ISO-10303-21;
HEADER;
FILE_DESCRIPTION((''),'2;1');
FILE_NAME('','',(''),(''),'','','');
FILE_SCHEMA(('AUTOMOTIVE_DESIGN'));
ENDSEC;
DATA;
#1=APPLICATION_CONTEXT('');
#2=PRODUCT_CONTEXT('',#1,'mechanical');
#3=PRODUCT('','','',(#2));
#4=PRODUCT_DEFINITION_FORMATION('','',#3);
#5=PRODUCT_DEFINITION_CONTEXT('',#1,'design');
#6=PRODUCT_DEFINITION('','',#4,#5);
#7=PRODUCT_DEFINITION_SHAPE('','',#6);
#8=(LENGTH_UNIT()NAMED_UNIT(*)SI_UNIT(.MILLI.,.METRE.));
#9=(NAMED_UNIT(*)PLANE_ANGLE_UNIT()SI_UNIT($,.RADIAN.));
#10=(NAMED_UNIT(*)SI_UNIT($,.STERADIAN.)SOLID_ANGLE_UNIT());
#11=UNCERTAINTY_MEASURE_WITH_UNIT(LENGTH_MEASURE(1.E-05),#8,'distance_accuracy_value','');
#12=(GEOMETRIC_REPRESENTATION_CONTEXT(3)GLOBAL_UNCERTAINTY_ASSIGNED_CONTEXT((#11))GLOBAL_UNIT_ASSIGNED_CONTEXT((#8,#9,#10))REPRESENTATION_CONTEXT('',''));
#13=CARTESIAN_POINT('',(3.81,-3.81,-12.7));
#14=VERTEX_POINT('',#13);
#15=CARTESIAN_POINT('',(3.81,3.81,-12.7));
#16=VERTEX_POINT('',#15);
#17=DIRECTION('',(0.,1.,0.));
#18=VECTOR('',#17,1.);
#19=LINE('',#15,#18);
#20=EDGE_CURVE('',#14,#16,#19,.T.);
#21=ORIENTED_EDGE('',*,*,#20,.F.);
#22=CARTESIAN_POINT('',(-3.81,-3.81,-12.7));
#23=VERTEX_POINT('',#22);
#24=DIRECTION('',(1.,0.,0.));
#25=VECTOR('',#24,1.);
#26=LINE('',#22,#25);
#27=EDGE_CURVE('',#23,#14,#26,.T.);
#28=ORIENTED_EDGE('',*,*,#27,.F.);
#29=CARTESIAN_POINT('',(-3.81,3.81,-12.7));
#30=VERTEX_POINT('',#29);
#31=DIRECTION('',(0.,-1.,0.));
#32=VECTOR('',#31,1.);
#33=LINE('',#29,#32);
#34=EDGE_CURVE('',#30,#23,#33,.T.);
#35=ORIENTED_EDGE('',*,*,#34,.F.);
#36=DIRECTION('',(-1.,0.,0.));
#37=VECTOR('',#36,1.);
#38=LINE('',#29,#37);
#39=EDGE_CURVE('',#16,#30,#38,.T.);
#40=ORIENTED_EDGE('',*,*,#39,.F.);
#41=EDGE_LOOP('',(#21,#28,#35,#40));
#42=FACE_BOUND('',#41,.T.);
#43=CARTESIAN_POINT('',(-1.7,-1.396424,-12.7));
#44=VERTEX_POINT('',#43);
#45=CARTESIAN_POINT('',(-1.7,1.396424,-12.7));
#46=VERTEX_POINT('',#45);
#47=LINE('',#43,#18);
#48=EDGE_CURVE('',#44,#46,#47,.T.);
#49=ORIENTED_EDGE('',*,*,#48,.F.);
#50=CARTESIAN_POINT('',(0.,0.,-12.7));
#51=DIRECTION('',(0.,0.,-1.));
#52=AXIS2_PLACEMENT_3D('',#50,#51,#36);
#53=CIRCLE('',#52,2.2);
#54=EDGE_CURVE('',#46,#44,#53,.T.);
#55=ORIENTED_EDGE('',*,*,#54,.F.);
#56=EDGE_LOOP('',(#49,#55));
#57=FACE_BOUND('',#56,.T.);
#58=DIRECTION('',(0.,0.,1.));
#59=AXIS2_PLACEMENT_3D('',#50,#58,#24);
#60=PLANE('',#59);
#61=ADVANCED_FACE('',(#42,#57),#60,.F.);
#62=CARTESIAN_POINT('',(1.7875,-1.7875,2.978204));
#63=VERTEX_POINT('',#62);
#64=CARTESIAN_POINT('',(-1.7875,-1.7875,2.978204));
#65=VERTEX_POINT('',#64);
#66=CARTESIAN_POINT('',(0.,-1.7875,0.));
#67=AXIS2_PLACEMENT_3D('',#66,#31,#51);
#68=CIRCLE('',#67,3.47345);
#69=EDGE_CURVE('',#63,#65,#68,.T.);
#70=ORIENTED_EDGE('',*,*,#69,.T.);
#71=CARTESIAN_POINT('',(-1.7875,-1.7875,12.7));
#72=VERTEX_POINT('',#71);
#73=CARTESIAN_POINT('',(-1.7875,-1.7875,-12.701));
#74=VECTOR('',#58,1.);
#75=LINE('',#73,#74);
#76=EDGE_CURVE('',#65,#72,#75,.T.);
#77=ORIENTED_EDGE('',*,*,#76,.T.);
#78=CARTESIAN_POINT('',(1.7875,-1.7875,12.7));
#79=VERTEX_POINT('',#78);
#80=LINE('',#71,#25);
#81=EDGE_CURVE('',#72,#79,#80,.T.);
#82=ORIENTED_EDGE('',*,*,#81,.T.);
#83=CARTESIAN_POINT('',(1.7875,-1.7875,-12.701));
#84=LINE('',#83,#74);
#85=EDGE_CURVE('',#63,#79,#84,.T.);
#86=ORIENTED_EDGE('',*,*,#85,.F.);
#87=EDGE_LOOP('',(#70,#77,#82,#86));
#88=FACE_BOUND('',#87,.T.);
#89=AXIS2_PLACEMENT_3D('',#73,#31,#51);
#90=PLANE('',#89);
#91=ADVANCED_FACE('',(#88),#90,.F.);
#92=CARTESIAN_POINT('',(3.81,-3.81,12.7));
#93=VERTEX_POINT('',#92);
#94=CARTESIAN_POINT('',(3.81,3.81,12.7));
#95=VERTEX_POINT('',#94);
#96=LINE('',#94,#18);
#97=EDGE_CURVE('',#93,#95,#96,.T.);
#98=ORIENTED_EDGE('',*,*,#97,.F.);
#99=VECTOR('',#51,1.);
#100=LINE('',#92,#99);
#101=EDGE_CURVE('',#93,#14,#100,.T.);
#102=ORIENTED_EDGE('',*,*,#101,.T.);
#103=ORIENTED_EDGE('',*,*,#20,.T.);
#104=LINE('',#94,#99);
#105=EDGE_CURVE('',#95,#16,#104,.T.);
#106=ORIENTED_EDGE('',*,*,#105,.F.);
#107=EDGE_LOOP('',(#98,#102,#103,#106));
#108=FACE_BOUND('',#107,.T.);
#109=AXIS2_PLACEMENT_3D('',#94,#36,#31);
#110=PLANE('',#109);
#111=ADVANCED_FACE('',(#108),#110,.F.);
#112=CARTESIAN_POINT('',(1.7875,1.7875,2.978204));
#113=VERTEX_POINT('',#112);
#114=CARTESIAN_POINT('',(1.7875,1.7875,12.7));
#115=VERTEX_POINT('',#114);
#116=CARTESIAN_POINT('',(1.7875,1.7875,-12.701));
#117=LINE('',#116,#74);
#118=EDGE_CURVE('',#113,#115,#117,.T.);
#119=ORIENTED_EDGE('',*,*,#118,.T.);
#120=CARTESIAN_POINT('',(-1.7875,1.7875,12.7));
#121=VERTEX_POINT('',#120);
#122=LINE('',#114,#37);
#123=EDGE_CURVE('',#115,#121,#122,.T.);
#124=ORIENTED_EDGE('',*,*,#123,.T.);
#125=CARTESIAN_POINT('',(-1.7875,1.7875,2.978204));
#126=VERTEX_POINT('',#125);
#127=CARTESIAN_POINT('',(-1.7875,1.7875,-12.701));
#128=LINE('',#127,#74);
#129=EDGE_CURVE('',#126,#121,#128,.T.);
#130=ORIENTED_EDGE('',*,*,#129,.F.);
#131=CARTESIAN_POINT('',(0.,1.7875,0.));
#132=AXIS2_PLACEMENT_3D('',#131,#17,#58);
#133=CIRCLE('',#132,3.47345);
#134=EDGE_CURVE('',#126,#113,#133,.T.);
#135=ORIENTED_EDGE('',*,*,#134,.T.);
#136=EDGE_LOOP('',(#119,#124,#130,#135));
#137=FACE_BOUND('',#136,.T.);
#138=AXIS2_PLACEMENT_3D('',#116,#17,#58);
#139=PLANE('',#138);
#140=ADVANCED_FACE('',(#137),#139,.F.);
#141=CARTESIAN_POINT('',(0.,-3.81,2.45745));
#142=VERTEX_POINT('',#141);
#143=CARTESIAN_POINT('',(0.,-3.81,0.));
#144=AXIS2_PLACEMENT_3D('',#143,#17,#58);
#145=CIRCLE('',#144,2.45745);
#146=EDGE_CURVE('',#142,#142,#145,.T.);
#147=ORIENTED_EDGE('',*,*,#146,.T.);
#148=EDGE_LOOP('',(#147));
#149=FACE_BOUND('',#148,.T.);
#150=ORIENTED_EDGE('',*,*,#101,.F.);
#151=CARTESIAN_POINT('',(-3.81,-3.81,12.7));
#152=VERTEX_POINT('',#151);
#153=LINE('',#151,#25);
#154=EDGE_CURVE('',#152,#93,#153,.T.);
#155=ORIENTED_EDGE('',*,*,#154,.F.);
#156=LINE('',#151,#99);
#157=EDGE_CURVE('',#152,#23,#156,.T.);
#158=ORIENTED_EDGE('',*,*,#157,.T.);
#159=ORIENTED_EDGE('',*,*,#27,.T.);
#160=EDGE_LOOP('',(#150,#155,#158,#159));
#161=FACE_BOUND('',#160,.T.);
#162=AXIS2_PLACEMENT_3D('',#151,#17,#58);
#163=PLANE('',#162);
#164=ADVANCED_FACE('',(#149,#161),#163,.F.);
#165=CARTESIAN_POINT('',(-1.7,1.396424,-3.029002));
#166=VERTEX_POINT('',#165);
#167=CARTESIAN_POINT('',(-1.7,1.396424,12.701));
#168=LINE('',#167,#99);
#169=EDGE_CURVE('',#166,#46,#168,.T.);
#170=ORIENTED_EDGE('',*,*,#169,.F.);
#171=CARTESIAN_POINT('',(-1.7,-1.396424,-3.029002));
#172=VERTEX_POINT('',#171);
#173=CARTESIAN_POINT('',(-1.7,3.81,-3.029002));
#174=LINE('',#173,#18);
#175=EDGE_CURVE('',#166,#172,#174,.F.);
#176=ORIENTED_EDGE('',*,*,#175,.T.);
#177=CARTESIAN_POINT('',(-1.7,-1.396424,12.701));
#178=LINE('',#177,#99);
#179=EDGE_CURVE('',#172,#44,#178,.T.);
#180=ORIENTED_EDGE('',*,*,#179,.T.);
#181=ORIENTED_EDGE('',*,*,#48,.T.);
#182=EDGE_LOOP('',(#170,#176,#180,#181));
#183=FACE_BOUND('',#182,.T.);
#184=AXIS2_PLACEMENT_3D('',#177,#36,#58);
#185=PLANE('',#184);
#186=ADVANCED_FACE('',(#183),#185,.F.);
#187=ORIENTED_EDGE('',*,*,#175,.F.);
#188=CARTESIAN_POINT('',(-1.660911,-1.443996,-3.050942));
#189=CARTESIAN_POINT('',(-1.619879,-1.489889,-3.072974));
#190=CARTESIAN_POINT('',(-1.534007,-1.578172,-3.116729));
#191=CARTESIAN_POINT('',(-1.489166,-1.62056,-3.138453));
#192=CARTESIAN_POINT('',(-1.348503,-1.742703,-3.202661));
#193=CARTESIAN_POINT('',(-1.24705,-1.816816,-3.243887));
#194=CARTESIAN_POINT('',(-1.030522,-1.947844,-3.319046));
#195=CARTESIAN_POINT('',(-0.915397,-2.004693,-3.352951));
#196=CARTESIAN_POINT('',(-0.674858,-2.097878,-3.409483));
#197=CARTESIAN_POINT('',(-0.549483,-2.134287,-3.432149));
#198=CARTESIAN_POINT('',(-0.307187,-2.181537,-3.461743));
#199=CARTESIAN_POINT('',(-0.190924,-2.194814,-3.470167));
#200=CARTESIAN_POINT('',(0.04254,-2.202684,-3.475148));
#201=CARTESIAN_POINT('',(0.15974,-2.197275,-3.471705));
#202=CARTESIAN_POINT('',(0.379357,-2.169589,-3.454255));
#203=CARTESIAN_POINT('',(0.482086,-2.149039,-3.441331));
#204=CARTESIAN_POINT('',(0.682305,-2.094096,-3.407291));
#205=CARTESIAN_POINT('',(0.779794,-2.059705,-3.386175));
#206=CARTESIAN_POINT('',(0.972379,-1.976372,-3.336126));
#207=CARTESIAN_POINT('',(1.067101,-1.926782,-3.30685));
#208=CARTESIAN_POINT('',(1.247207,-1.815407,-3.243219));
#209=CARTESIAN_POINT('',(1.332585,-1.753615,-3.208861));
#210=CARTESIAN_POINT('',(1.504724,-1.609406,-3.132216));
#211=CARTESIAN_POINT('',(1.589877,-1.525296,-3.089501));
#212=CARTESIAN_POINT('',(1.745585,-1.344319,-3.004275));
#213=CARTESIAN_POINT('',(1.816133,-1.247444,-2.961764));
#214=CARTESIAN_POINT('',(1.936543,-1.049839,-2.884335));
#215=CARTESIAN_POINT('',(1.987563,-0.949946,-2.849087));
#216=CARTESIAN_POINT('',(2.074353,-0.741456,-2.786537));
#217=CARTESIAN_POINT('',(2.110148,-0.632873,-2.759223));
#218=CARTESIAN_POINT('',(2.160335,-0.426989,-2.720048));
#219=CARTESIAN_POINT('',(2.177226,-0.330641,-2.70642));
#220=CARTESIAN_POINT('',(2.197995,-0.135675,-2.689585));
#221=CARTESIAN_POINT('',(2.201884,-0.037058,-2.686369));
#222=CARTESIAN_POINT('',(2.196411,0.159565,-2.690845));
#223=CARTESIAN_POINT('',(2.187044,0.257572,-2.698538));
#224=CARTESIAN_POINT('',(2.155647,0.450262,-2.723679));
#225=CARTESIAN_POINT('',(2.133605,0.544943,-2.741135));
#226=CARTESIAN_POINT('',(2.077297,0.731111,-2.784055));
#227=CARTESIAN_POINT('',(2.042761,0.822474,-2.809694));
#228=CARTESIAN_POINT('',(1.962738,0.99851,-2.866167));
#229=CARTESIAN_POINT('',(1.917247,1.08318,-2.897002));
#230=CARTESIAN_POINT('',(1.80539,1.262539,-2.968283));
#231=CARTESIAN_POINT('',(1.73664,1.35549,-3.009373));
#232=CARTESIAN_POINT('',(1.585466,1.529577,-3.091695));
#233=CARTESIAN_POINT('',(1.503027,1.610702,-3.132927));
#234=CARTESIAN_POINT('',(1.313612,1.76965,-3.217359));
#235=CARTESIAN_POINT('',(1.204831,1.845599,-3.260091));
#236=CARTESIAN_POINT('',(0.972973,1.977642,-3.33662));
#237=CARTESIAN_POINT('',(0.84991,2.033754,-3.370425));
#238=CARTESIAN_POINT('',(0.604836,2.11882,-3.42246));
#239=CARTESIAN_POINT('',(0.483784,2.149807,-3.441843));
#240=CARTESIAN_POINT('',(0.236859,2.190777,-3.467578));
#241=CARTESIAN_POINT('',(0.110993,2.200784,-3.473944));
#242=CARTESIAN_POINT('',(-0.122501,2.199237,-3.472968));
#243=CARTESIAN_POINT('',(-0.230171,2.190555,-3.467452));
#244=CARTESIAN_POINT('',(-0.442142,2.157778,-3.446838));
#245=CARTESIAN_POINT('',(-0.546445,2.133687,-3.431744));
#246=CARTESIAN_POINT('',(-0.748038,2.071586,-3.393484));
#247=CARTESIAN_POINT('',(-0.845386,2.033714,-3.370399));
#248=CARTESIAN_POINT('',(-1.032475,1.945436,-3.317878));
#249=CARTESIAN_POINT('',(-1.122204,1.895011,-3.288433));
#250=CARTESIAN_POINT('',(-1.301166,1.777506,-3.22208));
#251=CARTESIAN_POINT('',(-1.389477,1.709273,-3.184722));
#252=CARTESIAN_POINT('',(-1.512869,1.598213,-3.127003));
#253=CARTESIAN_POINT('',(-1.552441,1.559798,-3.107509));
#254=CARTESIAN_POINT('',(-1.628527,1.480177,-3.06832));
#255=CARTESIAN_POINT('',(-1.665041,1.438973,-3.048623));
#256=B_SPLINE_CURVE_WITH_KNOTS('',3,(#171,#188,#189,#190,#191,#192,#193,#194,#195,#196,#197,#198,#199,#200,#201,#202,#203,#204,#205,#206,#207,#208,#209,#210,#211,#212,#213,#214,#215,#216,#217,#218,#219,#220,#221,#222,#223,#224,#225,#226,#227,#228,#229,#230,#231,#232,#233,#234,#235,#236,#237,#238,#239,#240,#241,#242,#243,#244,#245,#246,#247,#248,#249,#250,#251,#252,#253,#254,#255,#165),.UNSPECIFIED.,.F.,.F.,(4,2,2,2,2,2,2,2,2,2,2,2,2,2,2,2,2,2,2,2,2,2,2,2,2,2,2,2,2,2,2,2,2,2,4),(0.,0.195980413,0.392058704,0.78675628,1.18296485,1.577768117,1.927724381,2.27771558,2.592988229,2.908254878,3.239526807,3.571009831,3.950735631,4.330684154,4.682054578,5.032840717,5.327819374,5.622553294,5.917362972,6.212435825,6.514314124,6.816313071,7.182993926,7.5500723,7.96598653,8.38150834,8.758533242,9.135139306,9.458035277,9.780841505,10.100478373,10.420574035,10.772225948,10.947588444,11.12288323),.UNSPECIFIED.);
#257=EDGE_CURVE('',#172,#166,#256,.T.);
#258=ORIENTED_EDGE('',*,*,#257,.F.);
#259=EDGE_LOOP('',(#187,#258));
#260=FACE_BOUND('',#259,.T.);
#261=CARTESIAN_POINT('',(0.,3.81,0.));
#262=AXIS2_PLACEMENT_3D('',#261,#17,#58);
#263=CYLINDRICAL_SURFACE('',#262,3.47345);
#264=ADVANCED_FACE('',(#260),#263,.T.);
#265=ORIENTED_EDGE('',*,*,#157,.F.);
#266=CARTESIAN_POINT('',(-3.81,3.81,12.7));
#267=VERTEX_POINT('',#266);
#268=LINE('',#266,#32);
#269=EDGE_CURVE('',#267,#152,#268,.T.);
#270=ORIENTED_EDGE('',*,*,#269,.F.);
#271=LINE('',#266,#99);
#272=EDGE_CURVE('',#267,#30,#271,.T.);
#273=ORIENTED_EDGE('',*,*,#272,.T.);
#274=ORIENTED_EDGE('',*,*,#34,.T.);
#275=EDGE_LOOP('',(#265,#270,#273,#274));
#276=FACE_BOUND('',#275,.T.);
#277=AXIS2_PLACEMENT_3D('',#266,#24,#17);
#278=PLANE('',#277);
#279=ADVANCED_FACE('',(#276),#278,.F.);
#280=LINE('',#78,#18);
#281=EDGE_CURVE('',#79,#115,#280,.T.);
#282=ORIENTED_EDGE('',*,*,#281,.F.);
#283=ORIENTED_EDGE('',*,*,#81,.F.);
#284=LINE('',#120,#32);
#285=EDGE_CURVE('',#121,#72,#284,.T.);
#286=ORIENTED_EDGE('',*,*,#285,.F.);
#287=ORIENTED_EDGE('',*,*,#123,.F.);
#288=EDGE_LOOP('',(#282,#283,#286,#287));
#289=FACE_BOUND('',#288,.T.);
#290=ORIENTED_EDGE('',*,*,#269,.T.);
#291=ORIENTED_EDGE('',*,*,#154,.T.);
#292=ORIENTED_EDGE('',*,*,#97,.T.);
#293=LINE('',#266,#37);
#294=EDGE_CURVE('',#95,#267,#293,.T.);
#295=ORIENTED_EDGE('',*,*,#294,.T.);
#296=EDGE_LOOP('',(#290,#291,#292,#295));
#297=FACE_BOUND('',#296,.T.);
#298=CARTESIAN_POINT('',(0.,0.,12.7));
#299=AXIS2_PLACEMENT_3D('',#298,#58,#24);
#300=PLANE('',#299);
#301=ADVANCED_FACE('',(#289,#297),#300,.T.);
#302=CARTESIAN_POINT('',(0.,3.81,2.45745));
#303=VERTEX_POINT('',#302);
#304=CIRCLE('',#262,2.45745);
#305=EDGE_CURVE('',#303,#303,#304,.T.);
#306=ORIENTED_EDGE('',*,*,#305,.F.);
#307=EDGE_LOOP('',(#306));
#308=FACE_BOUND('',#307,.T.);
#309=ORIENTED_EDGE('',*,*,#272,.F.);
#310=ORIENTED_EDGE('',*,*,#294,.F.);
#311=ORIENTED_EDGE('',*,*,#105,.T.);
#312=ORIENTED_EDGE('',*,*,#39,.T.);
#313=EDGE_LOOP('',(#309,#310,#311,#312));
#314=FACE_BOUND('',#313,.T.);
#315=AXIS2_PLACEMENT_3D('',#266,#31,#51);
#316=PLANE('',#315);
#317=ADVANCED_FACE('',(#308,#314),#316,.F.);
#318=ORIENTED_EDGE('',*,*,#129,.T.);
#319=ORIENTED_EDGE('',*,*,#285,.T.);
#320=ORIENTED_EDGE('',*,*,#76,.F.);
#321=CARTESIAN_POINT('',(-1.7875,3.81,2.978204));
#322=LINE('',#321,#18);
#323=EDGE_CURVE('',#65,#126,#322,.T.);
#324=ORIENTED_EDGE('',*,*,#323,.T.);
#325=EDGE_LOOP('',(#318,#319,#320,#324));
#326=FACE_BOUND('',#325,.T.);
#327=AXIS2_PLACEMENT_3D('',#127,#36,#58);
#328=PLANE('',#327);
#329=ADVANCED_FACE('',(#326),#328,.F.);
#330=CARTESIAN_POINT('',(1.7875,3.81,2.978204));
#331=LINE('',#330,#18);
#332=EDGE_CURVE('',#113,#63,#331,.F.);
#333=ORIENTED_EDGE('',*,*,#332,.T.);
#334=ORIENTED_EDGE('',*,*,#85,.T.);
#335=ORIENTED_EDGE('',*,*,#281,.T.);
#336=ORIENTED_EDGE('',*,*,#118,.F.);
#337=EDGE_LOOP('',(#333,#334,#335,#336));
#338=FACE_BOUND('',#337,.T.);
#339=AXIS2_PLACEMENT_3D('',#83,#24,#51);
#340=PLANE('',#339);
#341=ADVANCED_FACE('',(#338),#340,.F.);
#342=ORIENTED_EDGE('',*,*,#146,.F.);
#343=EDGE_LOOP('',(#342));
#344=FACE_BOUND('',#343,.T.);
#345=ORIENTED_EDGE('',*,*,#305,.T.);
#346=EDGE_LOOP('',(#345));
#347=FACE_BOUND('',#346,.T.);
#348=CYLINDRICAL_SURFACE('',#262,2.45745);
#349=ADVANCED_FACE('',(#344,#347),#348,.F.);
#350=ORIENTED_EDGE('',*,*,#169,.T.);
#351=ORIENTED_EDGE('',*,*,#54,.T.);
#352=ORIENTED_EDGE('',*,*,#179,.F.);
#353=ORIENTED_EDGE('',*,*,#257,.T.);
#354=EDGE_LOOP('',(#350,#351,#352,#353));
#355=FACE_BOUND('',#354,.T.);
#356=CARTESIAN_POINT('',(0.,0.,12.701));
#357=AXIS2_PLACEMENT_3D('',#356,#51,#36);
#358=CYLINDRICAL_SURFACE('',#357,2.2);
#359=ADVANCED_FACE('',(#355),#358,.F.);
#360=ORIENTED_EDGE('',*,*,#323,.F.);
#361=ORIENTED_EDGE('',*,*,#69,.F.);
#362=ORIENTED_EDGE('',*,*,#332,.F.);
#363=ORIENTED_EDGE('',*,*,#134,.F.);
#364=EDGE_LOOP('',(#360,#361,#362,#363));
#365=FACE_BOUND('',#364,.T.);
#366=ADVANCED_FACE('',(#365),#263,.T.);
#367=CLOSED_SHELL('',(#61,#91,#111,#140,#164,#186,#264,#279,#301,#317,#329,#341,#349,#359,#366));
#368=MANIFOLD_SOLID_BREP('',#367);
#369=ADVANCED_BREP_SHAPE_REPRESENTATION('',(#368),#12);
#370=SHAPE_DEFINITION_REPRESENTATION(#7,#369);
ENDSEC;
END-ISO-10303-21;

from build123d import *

# Parameters (mm, degrees)
SKETCH2_W               = 7.62
SKETCH2_H               = 7.62
BOSS_EXTRUDE1_DEPTH     = 12.7
F_8_CLEARANCE_HOLE1_D   = 4.9149
CUT_EXTRUDE1_REACH      = 27.965
CUT_EXTRUDE1_END_RADIUS = 3.47345
SKETCH5_W               = 3.175
SKETCH5_H               = 3.175
CUT_EXTRUDE2_REACH      = 27.965
CUT_EXTRUDE2_END_RADIUS = 3.47345
CUT_EXTRUDE3_REACH      = 27.965
CUT_EXTRUDE3_END_RADIUS = 3.47345
SKETCH7_W               = 3.575
SKETCH7_H               = 3.575
SKETCH7_W_2             = 3.175
SKETCH7_H_2             = 3.175
CUT_EXTRUDE4_REACH      = 27.965
CUT_EXTRUDE4_END_RADIUS = 3.47345


with BuildPart() as part:
    # Sketch2 → Boss-Extrude1 (new, symmetric)
    with BuildSketch(Plane.XY):
        Rectangle(SKETCH2_W, SKETCH2_H)
    extrude(amount=BOSS_EXTRUDE1_DEPTH, both=True)

    # #8 Clearance Hole1 (through all)
    with Locations(Plane(origin=(0, 3.81, 0), x_dir=(1, 0, 0), z_dir=(0, 1, 0))):
        with Locations((0, 0)):
            Hole(F_8_CLEARANCE_HOLE1_D / 2)

    # Cut-Extrude1: up to this cylinder (the profile starts outside it)
    cut_extrude1_end = Plane(origin=(0, 0, 0), z_dir=(0, 1, 0)) * Cylinder(CUT_EXTRUDE1_END_RADIUS, 63.8769, mode=Mode.PRIVATE)
    # Sketch5 → Cut-Extrude1 (cut, up to the surface)
    with BuildSketch(Plane.XY.offset(12.7), mode=Mode.PRIVATE) as cut_extrude1_sk1:
        Rectangle(SKETCH5_W, SKETCH5_H)
    cut_extrude1_tool1 = extrude(cut_extrude1_sk1.sketch, amount=-CUT_EXTRUDE1_REACH, mode=Mode.PRIVATE) - cut_extrude1_end
    add(cut_extrude1_tool1.solids().sort_by_distance((0, 0, 12.7))[0], mode=Mode.SUBTRACT)

    # Cut-Extrude2: up to this cylinder (the profile starts outside it)
    cut_extrude2_end = Plane(origin=(0, 0, 0), z_dir=(0, 1, 0)) * Cylinder(CUT_EXTRUDE2_END_RADIUS, 63.8769, mode=Mode.PRIVATE)
    # Sketch6 → Cut-Extrude2 (cut, up to the surface)
    with BuildSketch(Plane(origin=(0, 0, -12.7), x_dir=(-1, 0, 0), z_dir=(0, 0, -1)), mode=Mode.PRIVATE) as cut_extrude2_sk1:
        with BuildLine():
            Line((1.499999936, 1.322875825), (1.499999936, -1.322875825))
            ThreePointArc((1.499999936, -1.322875825), (-2.000000064, 0), (1.499999936, 1.322875825))
        make_face()
    cut_extrude2_tool1 = extrude(cut_extrude2_sk1.sketch, amount=-CUT_EXTRUDE2_REACH, mode=Mode.PRIVATE) - cut_extrude2_end
    add(cut_extrude2_tool1.solids().sort_by_distance((0.132366, 0, -12.7))[0], mode=Mode.SUBTRACT)

    # Cut-Extrude3: up to this cylinder (the profile starts outside it)
    cut_extrude3_end = Plane(origin=(0, 0, 0), z_dir=(0, 1, 0)) * Cylinder(CUT_EXTRUDE3_END_RADIUS, 63.8769, mode=Mode.PRIVATE)
    # Sketch7 → Cut-Extrude3 (cut, up to the surface)
    with BuildSketch(Plane.XY.offset(12.7), mode=Mode.PRIVATE) as cut_extrude3_sk1:
        Rectangle(SKETCH7_W, SKETCH7_H)
        Rectangle(SKETCH7_W_2, SKETCH7_H_2, mode=Mode.SUBTRACT)
    cut_extrude3_tool1 = extrude(cut_extrude3_sk1.sketch, amount=-CUT_EXTRUDE3_REACH, mode=Mode.PRIVATE) - cut_extrude3_end
    add(cut_extrude3_tool1.solids().sort_by_distance((-1.736942, 0, 12.7))[0], mode=Mode.SUBTRACT)

    # Cut-Extrude4: up to this cylinder (the profile starts outside it)
    cut_extrude4_end = Plane(origin=(0, 0, 0), z_dir=(0, 1, 0)) * Cylinder(CUT_EXTRUDE4_END_RADIUS, 63.8769, mode=Mode.PRIVATE)
    # Sketch8 → Cut-Extrude4 (cut, up to the surface)
    with BuildSketch(Plane(origin=(0, 0, -12.7), x_dir=(-1, 0, 0), z_dir=(0, 0, -1)), mode=Mode.PRIVATE) as cut_extrude4_sk1:
        with BuildLine():
            Line((1.699999936, -1.396424183), (1.699999936, 1.396424183))
            ThreePointArc((1.699999936, 1.396424183), (-2.200000064, 0), (1.699999936, -1.396424183))
        make_face()
    cut_extrude4_tool1 = extrude(cut_extrude4_sk1.sketch, amount=-CUT_EXTRUDE4_REACH, mode=Mode.PRIVATE) - cut_extrude4_end
    add(cut_extrude4_tool1.solids().sort_by_distance((0.127385, 0, -12.7))[0], mode=Mode.SUBTRACT)


solid = part.part
